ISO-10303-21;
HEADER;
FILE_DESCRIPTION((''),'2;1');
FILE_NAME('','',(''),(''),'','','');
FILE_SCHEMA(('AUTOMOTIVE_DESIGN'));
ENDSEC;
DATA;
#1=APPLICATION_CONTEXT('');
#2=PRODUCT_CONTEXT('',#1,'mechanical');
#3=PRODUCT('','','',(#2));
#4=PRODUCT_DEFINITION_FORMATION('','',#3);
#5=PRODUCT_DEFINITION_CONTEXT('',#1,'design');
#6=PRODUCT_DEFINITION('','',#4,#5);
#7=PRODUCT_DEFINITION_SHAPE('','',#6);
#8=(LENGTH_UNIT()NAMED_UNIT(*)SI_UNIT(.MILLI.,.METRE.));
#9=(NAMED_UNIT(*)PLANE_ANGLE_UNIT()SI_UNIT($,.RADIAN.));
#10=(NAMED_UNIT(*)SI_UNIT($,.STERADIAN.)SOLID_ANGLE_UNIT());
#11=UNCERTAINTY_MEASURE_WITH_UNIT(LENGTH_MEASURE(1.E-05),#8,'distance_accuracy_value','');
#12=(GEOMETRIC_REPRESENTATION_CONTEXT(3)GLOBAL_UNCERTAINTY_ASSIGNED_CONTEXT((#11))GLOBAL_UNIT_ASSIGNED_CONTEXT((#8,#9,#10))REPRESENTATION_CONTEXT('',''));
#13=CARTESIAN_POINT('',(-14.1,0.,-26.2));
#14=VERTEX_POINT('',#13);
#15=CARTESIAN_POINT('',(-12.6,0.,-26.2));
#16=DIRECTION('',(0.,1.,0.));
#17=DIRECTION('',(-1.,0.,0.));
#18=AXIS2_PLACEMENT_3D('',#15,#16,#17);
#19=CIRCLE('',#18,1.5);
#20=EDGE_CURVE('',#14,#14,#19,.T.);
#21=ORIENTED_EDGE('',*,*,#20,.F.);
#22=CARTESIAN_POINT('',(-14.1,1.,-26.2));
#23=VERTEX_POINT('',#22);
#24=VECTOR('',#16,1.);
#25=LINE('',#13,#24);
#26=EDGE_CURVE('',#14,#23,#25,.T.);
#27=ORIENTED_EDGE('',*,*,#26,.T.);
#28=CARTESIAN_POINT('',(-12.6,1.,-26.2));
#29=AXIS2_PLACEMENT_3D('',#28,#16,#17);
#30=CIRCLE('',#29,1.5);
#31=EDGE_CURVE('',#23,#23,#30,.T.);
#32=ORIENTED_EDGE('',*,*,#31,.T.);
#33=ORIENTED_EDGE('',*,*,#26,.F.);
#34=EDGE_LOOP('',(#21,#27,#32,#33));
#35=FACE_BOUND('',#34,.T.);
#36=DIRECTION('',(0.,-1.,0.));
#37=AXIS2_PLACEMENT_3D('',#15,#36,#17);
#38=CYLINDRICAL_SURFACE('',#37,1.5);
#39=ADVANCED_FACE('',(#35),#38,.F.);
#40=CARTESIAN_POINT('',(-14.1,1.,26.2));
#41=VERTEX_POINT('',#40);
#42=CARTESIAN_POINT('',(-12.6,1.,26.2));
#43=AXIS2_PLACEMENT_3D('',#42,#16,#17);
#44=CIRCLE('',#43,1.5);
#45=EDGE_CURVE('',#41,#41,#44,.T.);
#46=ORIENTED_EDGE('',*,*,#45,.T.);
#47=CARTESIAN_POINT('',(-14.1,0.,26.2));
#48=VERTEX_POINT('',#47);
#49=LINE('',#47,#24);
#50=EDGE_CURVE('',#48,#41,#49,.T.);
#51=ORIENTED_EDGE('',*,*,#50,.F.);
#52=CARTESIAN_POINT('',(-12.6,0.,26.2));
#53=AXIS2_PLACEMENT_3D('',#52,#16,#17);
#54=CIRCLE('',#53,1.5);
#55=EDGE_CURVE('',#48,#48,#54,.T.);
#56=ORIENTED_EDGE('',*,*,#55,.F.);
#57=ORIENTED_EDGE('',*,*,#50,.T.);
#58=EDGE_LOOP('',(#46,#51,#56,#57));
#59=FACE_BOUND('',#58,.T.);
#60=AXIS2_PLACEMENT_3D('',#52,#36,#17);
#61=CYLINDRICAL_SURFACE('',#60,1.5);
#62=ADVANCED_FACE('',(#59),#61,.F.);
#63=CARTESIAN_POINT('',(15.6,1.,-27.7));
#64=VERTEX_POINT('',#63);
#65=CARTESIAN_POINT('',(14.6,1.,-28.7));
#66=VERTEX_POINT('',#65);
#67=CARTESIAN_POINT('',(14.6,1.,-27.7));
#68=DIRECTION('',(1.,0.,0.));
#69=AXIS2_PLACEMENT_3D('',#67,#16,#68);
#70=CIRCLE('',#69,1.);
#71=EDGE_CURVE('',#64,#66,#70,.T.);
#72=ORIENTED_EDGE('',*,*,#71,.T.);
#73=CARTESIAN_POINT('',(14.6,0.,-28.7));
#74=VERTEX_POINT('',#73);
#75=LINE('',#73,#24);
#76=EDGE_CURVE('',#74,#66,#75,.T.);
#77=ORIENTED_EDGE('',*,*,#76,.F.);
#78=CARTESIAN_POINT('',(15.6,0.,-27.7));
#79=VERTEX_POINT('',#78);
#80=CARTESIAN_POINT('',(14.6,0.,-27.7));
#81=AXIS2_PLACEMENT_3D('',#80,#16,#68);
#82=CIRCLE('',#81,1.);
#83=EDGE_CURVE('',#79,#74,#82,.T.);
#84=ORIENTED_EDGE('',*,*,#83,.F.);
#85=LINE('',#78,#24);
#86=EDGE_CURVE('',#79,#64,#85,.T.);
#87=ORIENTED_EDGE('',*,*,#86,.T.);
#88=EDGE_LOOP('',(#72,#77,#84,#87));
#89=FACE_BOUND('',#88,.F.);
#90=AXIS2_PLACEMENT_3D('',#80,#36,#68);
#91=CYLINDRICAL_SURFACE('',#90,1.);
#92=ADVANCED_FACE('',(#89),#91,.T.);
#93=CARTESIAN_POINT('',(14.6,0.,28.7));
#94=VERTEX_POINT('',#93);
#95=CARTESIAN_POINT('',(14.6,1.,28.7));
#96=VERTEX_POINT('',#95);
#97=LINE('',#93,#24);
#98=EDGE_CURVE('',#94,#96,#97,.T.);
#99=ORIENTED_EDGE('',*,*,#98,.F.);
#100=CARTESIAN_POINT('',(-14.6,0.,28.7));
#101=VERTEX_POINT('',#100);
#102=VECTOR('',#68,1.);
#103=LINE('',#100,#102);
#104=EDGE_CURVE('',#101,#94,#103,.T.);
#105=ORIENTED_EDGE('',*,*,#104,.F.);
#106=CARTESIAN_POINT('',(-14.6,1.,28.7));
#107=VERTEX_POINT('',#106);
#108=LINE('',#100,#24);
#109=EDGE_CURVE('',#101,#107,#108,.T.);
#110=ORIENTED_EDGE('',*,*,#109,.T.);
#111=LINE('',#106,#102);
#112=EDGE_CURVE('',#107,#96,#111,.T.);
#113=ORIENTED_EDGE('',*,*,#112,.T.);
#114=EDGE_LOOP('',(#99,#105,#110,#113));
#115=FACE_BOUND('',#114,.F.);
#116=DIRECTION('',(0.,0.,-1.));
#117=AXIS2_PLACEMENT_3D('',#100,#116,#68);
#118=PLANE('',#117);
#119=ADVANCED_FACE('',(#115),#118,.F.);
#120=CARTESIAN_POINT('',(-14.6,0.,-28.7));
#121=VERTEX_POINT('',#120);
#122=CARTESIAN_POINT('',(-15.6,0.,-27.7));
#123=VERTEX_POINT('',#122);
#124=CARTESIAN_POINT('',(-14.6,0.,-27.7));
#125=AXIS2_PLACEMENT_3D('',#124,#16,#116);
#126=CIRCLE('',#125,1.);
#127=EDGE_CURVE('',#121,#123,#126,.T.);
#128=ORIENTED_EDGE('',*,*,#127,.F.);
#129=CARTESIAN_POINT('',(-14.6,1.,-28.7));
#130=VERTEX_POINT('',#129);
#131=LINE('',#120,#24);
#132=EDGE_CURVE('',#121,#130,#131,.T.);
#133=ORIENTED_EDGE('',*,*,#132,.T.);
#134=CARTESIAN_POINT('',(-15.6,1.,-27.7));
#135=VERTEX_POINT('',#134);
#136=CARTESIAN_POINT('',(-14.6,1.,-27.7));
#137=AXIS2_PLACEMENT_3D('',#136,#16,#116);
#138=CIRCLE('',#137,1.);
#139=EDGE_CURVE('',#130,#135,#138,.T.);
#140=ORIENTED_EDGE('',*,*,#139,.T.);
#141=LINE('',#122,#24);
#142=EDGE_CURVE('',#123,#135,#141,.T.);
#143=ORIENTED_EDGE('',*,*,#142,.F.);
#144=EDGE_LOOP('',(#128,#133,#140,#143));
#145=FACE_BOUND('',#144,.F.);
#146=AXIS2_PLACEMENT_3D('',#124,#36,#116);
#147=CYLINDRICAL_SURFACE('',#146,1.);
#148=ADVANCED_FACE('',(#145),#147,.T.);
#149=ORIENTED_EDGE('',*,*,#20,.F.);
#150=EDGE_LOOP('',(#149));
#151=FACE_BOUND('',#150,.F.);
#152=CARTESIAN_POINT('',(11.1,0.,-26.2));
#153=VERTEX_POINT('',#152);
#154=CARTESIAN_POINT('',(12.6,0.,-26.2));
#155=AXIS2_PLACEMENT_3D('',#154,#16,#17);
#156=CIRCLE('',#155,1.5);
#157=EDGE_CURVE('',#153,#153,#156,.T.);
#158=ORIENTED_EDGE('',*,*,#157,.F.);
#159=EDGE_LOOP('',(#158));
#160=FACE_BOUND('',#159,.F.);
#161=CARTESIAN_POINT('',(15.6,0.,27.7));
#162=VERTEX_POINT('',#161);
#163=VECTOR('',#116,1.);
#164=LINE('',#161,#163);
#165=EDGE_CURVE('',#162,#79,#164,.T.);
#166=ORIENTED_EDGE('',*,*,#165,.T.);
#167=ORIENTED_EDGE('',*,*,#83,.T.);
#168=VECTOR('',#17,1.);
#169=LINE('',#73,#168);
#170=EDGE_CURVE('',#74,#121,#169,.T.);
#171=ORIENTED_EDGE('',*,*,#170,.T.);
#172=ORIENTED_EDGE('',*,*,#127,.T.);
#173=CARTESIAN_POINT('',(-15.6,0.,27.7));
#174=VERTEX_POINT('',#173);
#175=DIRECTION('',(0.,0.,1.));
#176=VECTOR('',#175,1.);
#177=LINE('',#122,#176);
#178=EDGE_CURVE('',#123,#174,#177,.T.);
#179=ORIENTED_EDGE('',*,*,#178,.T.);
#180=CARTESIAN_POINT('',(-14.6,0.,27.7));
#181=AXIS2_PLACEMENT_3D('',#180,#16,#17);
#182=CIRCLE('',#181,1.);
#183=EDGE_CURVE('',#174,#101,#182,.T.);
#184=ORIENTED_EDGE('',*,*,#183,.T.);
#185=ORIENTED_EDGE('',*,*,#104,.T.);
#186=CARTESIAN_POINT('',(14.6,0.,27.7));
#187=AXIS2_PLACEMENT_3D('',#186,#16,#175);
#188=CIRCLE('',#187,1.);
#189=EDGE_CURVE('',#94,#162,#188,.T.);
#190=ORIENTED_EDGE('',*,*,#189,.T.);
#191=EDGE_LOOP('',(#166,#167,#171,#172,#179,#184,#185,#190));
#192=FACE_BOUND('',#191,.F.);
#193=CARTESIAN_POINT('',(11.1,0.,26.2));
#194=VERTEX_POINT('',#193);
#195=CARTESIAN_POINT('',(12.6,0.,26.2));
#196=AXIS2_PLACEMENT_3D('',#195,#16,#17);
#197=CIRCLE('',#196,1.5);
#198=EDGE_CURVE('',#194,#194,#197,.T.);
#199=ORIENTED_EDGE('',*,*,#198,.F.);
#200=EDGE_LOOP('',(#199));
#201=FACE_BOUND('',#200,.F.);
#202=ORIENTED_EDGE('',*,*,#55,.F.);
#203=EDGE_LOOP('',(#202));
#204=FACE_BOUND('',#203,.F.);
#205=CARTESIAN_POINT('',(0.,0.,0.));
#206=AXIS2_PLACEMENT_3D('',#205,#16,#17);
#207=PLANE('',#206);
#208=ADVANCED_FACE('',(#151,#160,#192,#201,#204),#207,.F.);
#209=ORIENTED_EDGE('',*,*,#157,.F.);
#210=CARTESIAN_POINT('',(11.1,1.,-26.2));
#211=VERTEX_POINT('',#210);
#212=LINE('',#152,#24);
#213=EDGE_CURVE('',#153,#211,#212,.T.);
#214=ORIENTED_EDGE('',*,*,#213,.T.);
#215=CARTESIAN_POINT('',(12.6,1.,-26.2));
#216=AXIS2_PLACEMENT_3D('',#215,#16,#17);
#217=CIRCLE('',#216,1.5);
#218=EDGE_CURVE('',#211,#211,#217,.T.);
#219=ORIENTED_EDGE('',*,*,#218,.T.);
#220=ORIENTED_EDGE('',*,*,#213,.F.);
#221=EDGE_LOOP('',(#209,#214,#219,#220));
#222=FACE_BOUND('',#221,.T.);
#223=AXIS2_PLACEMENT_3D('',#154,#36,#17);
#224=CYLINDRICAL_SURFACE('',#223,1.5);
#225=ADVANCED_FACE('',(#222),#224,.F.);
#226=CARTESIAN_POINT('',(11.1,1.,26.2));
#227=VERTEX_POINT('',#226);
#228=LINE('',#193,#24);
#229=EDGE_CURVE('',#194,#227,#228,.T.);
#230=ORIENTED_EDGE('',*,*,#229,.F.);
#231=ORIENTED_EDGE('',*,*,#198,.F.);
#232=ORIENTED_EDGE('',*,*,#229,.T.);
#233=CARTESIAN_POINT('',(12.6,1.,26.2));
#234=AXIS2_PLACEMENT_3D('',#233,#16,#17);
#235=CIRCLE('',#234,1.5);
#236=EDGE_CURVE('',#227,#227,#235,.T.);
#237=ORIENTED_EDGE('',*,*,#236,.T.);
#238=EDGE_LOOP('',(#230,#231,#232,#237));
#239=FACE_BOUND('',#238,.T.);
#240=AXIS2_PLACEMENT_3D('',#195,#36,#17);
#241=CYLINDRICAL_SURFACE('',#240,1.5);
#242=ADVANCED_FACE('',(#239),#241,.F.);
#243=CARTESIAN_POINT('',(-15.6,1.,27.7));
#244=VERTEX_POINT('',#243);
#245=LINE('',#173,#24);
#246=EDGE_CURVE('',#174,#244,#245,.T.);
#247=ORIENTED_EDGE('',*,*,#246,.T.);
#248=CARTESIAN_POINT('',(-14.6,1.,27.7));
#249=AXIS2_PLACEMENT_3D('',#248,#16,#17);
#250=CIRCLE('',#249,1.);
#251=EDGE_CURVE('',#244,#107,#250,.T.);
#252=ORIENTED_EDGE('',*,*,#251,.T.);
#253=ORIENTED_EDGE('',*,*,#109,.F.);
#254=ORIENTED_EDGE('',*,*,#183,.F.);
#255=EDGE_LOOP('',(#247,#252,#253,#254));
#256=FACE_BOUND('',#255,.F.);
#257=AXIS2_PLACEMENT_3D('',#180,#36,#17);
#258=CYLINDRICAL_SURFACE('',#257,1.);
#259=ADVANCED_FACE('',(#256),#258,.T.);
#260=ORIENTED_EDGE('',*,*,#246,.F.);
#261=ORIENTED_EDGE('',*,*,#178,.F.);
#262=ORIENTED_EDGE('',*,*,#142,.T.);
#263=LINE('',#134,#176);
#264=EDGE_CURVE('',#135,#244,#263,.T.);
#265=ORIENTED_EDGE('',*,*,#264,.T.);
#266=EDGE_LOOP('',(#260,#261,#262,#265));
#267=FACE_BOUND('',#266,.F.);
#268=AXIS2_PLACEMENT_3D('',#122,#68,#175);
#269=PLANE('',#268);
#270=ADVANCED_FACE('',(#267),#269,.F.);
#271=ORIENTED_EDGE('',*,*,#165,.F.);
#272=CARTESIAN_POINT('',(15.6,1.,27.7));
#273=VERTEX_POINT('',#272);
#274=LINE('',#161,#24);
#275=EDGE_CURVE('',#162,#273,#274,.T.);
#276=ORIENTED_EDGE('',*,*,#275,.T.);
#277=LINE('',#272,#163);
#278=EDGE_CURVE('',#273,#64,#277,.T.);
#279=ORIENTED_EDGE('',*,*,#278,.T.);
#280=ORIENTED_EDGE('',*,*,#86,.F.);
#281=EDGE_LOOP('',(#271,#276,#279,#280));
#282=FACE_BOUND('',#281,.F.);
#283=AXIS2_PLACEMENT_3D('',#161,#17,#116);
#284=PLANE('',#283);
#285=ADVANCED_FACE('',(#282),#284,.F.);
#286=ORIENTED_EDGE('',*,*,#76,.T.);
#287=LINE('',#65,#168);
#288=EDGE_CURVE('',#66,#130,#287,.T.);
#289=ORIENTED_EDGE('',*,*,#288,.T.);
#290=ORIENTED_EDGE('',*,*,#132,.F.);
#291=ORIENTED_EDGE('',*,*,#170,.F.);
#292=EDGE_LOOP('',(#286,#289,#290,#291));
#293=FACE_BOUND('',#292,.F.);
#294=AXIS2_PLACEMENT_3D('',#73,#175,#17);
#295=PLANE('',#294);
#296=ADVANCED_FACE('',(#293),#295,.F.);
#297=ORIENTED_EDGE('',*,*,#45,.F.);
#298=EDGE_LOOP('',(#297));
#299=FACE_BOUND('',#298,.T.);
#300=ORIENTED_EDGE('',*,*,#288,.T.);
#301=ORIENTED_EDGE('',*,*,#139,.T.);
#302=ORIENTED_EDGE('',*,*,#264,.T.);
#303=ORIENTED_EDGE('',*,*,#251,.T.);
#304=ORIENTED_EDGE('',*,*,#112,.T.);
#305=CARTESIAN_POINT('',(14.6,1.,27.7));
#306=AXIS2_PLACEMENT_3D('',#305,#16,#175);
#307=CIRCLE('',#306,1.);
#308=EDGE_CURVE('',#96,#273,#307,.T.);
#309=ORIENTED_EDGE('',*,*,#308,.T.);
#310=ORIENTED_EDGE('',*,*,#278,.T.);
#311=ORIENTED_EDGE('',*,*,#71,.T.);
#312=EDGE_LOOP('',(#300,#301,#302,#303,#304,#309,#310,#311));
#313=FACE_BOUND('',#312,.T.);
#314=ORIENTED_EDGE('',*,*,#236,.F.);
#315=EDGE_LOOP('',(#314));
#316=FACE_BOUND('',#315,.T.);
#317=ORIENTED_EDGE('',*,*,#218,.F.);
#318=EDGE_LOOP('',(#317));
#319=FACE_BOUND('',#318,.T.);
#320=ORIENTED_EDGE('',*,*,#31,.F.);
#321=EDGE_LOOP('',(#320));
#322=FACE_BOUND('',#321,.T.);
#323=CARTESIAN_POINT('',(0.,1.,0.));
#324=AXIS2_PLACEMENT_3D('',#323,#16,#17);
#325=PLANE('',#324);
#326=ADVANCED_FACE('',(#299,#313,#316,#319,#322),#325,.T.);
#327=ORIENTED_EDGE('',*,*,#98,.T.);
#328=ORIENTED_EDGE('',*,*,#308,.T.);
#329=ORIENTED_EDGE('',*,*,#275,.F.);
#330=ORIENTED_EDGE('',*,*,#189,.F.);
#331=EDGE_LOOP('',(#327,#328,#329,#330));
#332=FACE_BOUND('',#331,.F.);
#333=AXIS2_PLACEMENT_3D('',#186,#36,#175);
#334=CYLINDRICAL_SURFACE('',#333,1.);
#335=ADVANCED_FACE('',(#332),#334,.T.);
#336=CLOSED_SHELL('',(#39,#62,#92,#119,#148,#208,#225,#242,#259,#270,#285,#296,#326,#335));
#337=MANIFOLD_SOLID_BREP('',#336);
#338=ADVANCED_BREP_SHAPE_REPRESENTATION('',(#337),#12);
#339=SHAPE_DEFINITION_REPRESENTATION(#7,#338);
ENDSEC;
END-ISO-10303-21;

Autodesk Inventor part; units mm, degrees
ref_plane "YZ Plane" through (0, 0, 0) normal (1, 0, 0) x (0, 1, 0)
ref_plane "XZ Plane" through (0, 0, 0) normal (0, 1, 0) x (-1, 0, 0)
ref_plane "XY Plane" through (0, 0, 0) normal (0, 0, 1) x (1, 0, 0)
sketch "Sketch1" plane through (0, 0, 0) normal (0, 0, 1) x (1, 0, 0)
  point P0 (0, 0)
sketch "Sketch2" plane through (0, 0, 0) normal (0, 1, 0) x (-1, 0, 0)
  line L0 (14.6, 28.7) -> (-14.6, 28.7)
  line L1 (-15.6, 27.7) -> (-15.6, -27.7)
  line L2 (-14.6, -28.7) -> (14.6, -28.7)
  line L3 (15.6, -27.7) -> (15.6, 27.7)
  line L4 (15.6, 28.7) -> (-15.6, -28.7) construction
  line L5 (-15.6, 28.7) -> (15.6, -28.7) construction
  arc A0 (15.6, 27.7) -> (14.6, 28.7) centre (14.6, 27.7) ccw
  arc A1 (-14.6, 28.7) -> (-15.6, 27.7) centre (-14.6, 27.7) ccw
  arc A2 (14.6, -28.7) -> (15.6, -27.7) centre (14.6, -27.7) ccw
  arc A3 (-15.6, -27.7) -> (-14.6, -28.7) centre (-14.6, -27.7) ccw
  circle A4 centre (12.6, 26.2) radius 1.5
  line L6 (0, 28.7) -> (0, -28.7) construction
  line L7 (15.6, 0) -> (-15.6, 0) construction
  circle A5 centre (12.6, -26.2) radius 1.5
  circle A6 centre (-12.6, 26.2) radius 1.5
  circle A7 centre (-12.6, -26.2) radius 1.5
  line L8 (1.792, 7.3985) -> (1.792, -6.1335) construction
  line L9 (1.792, -6.1335) -> (-36.4686, -6.1335) construction
  line L10 (-36.4686, -6.1335) -> (-36.4686, 7.3985) construction
  line L11 (-36.4686, 7.3985) -> (1.792, 7.3985) construction
  point P0 (0, 0)
  dimension "d0" = 31.2
  dimension "d1" = 57.4
  dimension "d2" = 1
  dimension "d3" = 3
  dimension "d4" = 3
  dimension "d5" = 2.5
extrude "Extrusion1" add sketch "Sketch2" along normal blind 1
properties part number "esp8266_footprint"
